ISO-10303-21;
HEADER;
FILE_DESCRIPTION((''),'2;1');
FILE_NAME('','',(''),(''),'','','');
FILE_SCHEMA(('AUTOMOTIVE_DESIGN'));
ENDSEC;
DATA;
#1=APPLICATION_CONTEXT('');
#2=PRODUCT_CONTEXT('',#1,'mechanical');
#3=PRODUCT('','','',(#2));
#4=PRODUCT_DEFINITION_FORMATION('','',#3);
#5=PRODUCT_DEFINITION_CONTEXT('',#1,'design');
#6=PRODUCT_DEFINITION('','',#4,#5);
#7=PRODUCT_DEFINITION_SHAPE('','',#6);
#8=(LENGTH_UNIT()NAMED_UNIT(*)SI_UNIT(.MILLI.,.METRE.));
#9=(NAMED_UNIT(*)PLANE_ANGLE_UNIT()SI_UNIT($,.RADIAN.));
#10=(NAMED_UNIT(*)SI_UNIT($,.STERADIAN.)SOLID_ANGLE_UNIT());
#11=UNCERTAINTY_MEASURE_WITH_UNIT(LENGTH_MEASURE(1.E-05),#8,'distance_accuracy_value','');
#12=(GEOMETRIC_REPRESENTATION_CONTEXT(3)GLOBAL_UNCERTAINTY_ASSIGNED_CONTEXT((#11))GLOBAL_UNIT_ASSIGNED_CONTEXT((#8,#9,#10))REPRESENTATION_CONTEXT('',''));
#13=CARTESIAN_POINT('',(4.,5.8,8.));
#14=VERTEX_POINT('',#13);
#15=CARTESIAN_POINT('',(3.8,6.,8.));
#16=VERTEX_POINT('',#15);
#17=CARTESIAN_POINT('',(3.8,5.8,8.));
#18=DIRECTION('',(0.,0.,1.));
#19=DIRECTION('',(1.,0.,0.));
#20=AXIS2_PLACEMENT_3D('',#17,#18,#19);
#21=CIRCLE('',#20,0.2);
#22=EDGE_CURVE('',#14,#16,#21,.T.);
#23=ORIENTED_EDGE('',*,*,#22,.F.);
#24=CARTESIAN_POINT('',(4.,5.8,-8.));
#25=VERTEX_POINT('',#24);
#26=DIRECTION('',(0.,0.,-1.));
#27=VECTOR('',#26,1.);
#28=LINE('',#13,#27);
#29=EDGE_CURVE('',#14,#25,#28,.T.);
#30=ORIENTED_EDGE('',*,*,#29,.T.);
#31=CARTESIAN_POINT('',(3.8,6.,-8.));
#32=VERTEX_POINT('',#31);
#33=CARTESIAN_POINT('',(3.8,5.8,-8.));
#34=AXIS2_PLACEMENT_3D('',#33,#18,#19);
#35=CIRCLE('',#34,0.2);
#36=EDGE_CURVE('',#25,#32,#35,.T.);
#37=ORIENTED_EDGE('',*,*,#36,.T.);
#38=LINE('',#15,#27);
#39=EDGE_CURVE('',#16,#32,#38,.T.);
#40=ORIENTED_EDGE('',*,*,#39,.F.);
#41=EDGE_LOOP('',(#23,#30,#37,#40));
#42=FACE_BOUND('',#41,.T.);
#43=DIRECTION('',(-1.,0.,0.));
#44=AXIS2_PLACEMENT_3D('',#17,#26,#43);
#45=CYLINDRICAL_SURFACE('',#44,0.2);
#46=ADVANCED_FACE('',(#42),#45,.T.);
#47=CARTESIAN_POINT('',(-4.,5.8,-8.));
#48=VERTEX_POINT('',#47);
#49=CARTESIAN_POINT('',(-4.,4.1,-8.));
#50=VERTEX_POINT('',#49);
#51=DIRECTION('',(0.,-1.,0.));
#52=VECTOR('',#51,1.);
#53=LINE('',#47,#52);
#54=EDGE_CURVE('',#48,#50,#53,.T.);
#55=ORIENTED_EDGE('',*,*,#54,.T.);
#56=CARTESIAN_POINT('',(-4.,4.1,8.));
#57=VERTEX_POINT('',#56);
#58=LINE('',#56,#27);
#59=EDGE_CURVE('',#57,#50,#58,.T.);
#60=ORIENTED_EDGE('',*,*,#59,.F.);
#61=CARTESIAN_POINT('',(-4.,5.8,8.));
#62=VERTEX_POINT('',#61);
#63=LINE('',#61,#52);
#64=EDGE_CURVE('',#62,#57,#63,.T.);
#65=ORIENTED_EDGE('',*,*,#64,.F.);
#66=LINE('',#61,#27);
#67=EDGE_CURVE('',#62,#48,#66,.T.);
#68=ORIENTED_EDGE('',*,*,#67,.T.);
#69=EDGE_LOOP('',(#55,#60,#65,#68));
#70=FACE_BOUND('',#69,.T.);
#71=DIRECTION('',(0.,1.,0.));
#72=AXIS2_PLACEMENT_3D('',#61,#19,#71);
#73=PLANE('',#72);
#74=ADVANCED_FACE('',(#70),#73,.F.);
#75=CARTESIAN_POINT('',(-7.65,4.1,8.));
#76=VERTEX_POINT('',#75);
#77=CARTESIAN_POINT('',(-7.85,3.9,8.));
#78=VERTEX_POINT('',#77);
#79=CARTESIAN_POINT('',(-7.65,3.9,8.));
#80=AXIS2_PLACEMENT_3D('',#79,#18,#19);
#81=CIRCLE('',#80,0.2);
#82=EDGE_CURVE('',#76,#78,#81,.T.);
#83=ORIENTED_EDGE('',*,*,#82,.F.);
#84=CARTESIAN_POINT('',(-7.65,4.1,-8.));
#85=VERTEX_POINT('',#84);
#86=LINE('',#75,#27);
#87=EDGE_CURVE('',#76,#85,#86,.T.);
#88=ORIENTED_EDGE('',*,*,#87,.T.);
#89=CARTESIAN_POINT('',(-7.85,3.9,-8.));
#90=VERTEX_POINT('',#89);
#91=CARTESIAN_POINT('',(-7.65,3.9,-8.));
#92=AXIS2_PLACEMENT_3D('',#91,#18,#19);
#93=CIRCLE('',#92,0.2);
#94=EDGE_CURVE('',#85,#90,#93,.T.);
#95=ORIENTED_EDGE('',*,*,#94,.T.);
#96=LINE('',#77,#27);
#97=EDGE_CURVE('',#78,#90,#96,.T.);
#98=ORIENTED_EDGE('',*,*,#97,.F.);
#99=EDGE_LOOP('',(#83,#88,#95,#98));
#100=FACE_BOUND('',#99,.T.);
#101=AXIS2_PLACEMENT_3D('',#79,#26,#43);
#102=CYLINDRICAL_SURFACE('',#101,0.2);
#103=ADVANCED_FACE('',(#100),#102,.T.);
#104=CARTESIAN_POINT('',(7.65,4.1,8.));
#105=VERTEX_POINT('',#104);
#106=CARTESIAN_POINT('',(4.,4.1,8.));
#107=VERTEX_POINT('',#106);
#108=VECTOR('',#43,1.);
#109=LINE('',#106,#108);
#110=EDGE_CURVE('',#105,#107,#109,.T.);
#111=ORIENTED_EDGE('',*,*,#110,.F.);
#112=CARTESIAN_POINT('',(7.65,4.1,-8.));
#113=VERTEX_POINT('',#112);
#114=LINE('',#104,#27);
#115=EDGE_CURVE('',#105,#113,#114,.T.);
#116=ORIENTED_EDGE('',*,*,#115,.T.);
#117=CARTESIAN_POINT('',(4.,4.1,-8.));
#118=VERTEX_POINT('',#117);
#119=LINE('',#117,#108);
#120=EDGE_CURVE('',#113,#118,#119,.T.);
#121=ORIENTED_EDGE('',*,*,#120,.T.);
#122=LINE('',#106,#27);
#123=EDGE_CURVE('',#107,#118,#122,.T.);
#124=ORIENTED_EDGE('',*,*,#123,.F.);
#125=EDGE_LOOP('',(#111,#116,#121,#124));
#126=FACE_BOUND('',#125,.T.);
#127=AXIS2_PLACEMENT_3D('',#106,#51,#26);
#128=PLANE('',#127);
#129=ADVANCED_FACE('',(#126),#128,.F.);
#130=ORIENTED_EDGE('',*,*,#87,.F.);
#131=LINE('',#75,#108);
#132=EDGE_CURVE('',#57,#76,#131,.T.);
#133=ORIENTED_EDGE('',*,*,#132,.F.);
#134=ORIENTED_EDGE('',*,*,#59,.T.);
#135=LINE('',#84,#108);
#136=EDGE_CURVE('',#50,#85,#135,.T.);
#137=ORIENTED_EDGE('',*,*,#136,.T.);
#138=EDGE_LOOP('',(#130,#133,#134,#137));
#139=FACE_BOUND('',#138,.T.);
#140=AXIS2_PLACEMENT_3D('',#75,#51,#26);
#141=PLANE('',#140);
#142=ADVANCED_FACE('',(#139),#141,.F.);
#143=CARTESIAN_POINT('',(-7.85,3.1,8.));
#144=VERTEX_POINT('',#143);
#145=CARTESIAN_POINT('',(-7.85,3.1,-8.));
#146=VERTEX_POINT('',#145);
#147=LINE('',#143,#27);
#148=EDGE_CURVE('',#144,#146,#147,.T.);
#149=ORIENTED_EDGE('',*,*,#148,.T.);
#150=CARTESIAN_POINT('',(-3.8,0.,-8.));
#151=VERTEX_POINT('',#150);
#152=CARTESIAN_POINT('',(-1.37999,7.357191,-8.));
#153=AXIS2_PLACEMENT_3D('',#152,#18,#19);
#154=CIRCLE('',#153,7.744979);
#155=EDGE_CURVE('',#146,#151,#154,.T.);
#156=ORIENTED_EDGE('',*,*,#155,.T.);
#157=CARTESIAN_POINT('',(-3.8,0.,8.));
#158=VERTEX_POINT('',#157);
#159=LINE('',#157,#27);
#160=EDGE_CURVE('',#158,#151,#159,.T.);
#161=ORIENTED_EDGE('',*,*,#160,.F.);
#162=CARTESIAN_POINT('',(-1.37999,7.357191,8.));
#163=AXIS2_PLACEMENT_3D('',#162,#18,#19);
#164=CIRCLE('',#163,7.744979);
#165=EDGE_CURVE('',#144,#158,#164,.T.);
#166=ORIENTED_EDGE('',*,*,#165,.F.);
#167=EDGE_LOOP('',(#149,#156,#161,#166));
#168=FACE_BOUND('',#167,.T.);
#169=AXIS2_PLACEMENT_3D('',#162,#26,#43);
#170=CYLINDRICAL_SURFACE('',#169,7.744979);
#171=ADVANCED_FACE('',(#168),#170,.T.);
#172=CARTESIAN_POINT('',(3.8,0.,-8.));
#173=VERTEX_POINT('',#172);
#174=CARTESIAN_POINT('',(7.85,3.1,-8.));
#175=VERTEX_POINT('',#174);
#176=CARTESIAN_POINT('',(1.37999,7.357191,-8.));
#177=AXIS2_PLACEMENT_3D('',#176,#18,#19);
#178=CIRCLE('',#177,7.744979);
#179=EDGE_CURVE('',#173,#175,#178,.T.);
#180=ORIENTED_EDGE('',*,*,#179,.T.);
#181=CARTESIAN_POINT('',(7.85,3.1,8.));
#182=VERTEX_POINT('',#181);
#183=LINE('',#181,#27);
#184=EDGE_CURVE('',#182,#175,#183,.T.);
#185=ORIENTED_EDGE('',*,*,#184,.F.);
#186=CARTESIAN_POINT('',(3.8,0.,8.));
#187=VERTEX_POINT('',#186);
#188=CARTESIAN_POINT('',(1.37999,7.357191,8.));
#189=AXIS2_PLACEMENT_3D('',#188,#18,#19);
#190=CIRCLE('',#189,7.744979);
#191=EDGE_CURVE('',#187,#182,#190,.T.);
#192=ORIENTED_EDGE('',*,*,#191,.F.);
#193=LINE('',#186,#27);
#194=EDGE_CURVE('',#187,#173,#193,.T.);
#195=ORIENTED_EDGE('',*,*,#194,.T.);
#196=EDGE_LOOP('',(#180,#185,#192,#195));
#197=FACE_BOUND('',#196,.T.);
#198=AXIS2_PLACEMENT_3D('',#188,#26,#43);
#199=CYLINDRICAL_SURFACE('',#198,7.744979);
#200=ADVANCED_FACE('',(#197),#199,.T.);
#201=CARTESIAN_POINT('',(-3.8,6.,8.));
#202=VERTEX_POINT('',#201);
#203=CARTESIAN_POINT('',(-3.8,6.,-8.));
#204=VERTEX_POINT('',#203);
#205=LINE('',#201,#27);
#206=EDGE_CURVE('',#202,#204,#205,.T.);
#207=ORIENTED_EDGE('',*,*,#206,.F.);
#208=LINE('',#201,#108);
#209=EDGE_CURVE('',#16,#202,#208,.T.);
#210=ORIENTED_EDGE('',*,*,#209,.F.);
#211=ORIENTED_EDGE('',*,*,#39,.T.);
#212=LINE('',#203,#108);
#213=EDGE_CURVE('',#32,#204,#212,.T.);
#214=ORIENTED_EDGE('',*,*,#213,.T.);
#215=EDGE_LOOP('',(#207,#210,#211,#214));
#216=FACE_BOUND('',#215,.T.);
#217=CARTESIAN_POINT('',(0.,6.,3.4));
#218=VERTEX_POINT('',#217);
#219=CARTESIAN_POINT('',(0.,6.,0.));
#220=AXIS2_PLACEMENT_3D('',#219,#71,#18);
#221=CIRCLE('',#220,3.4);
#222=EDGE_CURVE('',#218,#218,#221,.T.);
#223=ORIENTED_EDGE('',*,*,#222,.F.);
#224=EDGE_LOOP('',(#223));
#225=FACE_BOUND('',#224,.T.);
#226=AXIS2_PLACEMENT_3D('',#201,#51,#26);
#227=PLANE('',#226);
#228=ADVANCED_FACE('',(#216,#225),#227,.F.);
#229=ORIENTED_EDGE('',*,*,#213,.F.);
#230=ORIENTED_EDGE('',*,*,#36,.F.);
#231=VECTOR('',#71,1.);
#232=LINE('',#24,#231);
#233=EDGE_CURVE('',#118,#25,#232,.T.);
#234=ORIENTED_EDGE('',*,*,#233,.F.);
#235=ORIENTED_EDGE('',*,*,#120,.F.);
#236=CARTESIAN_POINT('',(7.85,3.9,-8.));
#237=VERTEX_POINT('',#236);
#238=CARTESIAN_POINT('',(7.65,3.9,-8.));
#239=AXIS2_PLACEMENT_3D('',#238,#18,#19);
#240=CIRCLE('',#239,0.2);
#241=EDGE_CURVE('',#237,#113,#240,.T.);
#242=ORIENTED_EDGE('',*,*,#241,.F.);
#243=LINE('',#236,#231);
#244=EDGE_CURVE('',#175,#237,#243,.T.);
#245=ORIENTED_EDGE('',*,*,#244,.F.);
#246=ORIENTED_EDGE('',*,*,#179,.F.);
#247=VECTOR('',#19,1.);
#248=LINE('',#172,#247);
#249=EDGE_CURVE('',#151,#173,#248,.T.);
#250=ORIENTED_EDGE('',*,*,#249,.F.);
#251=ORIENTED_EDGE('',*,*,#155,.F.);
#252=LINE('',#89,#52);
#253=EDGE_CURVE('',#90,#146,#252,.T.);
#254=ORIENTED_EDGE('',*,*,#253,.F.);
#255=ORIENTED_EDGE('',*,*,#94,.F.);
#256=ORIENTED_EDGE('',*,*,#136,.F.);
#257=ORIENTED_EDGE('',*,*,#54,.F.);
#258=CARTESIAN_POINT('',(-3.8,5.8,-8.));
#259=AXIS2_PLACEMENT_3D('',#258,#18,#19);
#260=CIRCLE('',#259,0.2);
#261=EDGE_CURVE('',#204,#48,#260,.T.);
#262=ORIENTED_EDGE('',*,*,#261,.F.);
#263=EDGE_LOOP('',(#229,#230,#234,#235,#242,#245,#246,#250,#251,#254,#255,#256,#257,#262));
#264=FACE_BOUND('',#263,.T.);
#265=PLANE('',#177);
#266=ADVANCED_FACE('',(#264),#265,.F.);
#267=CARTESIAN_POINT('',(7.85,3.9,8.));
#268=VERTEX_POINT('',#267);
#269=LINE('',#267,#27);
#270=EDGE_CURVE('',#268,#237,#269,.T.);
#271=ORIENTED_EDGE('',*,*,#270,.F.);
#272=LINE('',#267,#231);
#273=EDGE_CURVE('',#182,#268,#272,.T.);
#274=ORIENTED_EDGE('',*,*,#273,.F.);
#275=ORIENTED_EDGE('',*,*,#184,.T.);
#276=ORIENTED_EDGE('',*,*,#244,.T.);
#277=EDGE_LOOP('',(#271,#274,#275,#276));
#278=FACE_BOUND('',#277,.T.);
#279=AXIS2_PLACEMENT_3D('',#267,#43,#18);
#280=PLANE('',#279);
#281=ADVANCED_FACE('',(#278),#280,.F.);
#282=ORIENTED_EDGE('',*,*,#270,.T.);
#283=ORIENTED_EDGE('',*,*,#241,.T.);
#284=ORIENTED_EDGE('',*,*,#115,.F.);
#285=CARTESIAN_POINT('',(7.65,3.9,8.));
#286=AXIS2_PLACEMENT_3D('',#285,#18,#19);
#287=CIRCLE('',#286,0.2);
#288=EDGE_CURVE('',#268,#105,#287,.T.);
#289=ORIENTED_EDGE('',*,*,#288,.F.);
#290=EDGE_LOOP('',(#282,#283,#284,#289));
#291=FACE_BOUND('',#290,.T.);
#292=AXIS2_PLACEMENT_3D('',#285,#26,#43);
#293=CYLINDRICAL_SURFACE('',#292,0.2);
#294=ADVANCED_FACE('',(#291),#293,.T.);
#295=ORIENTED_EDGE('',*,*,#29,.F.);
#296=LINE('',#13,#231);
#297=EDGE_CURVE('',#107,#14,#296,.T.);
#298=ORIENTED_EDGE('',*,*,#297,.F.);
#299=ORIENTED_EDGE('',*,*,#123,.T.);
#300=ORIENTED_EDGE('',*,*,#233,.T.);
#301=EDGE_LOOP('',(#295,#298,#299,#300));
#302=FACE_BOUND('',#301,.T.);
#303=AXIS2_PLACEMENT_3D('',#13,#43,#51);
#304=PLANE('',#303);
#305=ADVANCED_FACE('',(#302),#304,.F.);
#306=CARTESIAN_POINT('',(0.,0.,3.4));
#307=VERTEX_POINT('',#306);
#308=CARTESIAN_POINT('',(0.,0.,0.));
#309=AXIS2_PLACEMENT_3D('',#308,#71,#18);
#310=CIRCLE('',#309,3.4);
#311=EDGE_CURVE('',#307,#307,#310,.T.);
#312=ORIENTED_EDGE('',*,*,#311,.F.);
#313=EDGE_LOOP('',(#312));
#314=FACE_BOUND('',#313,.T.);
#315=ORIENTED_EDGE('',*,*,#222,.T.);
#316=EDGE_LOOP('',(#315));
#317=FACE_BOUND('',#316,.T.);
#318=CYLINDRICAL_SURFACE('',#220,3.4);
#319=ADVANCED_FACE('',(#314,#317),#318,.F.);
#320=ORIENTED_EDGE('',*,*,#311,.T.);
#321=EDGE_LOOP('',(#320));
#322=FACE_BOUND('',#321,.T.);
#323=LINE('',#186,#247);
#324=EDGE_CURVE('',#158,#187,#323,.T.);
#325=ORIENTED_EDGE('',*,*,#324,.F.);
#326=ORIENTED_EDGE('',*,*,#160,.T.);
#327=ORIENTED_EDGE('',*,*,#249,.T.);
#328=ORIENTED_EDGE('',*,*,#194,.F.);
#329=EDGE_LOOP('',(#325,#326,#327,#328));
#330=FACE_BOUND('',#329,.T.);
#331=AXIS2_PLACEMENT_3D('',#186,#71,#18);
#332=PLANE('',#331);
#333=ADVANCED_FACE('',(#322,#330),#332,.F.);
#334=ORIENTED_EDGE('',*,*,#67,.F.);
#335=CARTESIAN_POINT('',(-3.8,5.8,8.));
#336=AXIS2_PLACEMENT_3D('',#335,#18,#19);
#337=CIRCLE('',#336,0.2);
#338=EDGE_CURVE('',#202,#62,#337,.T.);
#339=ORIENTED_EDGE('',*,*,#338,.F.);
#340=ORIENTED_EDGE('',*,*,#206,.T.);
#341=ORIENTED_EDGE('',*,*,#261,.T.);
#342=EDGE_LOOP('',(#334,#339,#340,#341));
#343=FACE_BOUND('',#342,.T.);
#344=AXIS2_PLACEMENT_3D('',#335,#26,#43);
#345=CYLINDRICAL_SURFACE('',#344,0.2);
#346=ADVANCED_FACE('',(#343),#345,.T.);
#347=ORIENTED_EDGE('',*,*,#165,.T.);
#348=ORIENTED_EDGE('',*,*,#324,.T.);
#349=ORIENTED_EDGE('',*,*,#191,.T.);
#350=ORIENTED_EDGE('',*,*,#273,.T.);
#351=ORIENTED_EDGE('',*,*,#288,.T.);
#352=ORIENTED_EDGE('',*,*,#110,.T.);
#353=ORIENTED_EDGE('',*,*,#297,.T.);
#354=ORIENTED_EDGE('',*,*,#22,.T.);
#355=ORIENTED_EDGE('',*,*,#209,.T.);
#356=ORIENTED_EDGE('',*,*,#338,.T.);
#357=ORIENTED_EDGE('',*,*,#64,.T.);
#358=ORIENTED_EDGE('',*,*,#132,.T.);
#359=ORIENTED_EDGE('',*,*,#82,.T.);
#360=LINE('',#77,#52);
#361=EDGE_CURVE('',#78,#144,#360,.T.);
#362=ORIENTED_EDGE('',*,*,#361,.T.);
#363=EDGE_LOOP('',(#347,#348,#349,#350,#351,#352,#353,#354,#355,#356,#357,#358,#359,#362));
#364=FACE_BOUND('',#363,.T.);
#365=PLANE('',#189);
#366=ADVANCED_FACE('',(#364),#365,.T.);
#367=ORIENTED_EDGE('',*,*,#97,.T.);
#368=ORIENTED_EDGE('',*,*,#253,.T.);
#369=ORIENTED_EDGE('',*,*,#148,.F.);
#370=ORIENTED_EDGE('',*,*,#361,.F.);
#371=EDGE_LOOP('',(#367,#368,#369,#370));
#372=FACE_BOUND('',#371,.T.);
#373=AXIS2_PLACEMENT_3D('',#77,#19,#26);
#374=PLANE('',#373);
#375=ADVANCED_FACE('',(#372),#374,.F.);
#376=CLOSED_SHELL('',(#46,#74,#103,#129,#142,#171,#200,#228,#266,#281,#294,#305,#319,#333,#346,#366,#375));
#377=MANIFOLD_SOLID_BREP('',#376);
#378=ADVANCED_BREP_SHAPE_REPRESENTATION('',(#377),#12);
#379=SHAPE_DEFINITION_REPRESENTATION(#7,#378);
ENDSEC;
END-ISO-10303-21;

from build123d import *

# Parameters (mm, degrees)
EXTRUDE_1_DEPTH        = 8
HOLE_WIZARD_M8_1_D     = 6.8
HOLE_WIZARD_M8_1_DEPTH = 19.75
HOLE_WIZARD_M8_1_TIP   = 2.042926105


with BuildPart() as part:
    # 草图1 → 凸台-拉伸1 (new, symmetric)
    with BuildSketch(Plane.XY):
        with BuildLine():
            Line((3.8, 0), (-3.8, 0))
            ThreePointArc((-3.8, 0), (-6.087496121, 1.207061519), (-7.85, 3.1))
            Line((-7.85, 3.1), (-7.85, 3.9))
            ThreePointArc((-7.85, 3.9), (-7.791421356, 4.041421356), (-7.65, 4.1))
            Line((-7.65, 4.1), (-4, 4.1))
            Line((-4, 4.1), (-4, 5.8))
            ThreePointArc((-4, 5.8), (-3.941421356, 5.941421356), (-3.8, 6))
            Line((-3.8, 6), (3.8, 6))
            ThreePointArc((3.8, 6), (3.941421356, 5.941421356), (4, 5.8))
            Line((4, 5.8), (4, 4.1))
            Line((4, 4.1), (7.65, 4.1))
            ThreePointArc((7.65, 4.1), (7.791421356, 4.041421356), (7.85, 3.9))
            Line((7.85, 3.9), (7.85, 3.1))
            ThreePointArc((7.85, 3.1), (6.087496121, 1.207061519), (3.8, 0))
        make_face()
    extrude(amount=EXTRUDE_1_DEPTH, both=True)

    # M8 螺纹孔1
    with Locations(Plane.ZX.offset(6)):
        with Locations((0, 0)):
            Hole(HOLE_WIZARD_M8_1_D / 2, depth=HOLE_WIZARD_M8_1_DEPTH)
            with Locations((0, 0, -(HOLE_WIZARD_M8_1_DEPTH + HOLE_WIZARD_M8_1_TIP / 2))):  # 118° drill point
                Cone(0, HOLE_WIZARD_M8_1_D / 2, HOLE_WIZARD_M8_1_TIP, mode=Mode.SUBTRACT)


solid = part.part
